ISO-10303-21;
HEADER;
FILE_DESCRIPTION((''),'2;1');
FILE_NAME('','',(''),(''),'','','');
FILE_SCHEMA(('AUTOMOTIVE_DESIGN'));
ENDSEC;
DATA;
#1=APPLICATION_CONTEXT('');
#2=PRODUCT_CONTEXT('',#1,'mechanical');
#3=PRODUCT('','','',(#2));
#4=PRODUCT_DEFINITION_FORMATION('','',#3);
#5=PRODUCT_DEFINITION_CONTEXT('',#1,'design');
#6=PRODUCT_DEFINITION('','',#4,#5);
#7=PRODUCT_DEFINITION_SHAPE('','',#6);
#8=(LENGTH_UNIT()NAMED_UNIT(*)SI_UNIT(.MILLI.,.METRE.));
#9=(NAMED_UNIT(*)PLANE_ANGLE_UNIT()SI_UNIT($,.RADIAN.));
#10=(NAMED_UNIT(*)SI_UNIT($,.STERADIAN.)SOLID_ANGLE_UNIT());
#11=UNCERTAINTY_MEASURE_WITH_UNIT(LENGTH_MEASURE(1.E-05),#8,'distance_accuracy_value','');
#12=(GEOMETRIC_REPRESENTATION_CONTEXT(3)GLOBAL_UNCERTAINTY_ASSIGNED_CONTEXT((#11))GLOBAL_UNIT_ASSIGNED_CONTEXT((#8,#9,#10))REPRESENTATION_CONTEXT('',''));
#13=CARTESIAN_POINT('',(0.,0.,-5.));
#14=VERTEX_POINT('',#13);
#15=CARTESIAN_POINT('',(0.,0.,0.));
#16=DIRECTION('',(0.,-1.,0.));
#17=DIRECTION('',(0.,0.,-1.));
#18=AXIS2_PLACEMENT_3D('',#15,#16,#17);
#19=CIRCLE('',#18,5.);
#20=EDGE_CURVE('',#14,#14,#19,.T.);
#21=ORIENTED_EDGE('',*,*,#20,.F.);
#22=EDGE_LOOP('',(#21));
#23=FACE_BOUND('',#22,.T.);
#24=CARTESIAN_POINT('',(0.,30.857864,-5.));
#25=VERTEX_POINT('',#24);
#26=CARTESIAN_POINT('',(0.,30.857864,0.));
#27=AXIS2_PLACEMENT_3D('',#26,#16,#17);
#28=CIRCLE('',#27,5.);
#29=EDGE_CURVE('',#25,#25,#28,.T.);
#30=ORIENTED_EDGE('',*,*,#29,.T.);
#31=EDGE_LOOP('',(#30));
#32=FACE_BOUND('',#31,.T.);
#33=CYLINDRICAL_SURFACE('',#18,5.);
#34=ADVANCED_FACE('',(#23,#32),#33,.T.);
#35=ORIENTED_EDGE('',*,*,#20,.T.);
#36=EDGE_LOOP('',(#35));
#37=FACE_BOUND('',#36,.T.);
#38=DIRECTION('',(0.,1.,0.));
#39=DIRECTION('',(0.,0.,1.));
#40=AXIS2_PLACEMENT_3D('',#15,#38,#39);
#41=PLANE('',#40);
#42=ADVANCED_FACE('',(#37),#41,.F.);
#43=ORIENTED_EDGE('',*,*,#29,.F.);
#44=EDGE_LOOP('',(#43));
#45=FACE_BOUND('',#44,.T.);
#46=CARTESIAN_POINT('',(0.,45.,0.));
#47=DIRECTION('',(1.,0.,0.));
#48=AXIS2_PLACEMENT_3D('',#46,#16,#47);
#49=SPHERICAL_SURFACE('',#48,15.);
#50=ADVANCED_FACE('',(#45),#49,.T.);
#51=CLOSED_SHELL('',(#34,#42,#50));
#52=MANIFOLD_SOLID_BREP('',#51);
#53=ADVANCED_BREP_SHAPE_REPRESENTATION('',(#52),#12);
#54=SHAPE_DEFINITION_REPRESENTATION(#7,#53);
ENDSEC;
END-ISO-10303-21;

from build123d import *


with BuildPart() as part:
    # Sketch1 → Revolve1 (revolve)
    with BuildSketch(Plane.XY, mode=Mode.PRIVATE) as revolve1_sk:
        with BuildLine():
            Line((0, 0), (-5, 0))
            Line((-5, 0), (-5, 30.857864376))
            ThreePointArc((-5, 30.857864376), (-14.783978395, 47.536529681), (0, 60))
            Line((0, 60), (0, 0))
        make_face()
    revolve(revolve1_sk.sketch.rotate(Axis((0, 0, 0), (0, 1, 0)), 180), axis=Axis((0, 0, 0), (0, 1, 0)))


solid = part.part
